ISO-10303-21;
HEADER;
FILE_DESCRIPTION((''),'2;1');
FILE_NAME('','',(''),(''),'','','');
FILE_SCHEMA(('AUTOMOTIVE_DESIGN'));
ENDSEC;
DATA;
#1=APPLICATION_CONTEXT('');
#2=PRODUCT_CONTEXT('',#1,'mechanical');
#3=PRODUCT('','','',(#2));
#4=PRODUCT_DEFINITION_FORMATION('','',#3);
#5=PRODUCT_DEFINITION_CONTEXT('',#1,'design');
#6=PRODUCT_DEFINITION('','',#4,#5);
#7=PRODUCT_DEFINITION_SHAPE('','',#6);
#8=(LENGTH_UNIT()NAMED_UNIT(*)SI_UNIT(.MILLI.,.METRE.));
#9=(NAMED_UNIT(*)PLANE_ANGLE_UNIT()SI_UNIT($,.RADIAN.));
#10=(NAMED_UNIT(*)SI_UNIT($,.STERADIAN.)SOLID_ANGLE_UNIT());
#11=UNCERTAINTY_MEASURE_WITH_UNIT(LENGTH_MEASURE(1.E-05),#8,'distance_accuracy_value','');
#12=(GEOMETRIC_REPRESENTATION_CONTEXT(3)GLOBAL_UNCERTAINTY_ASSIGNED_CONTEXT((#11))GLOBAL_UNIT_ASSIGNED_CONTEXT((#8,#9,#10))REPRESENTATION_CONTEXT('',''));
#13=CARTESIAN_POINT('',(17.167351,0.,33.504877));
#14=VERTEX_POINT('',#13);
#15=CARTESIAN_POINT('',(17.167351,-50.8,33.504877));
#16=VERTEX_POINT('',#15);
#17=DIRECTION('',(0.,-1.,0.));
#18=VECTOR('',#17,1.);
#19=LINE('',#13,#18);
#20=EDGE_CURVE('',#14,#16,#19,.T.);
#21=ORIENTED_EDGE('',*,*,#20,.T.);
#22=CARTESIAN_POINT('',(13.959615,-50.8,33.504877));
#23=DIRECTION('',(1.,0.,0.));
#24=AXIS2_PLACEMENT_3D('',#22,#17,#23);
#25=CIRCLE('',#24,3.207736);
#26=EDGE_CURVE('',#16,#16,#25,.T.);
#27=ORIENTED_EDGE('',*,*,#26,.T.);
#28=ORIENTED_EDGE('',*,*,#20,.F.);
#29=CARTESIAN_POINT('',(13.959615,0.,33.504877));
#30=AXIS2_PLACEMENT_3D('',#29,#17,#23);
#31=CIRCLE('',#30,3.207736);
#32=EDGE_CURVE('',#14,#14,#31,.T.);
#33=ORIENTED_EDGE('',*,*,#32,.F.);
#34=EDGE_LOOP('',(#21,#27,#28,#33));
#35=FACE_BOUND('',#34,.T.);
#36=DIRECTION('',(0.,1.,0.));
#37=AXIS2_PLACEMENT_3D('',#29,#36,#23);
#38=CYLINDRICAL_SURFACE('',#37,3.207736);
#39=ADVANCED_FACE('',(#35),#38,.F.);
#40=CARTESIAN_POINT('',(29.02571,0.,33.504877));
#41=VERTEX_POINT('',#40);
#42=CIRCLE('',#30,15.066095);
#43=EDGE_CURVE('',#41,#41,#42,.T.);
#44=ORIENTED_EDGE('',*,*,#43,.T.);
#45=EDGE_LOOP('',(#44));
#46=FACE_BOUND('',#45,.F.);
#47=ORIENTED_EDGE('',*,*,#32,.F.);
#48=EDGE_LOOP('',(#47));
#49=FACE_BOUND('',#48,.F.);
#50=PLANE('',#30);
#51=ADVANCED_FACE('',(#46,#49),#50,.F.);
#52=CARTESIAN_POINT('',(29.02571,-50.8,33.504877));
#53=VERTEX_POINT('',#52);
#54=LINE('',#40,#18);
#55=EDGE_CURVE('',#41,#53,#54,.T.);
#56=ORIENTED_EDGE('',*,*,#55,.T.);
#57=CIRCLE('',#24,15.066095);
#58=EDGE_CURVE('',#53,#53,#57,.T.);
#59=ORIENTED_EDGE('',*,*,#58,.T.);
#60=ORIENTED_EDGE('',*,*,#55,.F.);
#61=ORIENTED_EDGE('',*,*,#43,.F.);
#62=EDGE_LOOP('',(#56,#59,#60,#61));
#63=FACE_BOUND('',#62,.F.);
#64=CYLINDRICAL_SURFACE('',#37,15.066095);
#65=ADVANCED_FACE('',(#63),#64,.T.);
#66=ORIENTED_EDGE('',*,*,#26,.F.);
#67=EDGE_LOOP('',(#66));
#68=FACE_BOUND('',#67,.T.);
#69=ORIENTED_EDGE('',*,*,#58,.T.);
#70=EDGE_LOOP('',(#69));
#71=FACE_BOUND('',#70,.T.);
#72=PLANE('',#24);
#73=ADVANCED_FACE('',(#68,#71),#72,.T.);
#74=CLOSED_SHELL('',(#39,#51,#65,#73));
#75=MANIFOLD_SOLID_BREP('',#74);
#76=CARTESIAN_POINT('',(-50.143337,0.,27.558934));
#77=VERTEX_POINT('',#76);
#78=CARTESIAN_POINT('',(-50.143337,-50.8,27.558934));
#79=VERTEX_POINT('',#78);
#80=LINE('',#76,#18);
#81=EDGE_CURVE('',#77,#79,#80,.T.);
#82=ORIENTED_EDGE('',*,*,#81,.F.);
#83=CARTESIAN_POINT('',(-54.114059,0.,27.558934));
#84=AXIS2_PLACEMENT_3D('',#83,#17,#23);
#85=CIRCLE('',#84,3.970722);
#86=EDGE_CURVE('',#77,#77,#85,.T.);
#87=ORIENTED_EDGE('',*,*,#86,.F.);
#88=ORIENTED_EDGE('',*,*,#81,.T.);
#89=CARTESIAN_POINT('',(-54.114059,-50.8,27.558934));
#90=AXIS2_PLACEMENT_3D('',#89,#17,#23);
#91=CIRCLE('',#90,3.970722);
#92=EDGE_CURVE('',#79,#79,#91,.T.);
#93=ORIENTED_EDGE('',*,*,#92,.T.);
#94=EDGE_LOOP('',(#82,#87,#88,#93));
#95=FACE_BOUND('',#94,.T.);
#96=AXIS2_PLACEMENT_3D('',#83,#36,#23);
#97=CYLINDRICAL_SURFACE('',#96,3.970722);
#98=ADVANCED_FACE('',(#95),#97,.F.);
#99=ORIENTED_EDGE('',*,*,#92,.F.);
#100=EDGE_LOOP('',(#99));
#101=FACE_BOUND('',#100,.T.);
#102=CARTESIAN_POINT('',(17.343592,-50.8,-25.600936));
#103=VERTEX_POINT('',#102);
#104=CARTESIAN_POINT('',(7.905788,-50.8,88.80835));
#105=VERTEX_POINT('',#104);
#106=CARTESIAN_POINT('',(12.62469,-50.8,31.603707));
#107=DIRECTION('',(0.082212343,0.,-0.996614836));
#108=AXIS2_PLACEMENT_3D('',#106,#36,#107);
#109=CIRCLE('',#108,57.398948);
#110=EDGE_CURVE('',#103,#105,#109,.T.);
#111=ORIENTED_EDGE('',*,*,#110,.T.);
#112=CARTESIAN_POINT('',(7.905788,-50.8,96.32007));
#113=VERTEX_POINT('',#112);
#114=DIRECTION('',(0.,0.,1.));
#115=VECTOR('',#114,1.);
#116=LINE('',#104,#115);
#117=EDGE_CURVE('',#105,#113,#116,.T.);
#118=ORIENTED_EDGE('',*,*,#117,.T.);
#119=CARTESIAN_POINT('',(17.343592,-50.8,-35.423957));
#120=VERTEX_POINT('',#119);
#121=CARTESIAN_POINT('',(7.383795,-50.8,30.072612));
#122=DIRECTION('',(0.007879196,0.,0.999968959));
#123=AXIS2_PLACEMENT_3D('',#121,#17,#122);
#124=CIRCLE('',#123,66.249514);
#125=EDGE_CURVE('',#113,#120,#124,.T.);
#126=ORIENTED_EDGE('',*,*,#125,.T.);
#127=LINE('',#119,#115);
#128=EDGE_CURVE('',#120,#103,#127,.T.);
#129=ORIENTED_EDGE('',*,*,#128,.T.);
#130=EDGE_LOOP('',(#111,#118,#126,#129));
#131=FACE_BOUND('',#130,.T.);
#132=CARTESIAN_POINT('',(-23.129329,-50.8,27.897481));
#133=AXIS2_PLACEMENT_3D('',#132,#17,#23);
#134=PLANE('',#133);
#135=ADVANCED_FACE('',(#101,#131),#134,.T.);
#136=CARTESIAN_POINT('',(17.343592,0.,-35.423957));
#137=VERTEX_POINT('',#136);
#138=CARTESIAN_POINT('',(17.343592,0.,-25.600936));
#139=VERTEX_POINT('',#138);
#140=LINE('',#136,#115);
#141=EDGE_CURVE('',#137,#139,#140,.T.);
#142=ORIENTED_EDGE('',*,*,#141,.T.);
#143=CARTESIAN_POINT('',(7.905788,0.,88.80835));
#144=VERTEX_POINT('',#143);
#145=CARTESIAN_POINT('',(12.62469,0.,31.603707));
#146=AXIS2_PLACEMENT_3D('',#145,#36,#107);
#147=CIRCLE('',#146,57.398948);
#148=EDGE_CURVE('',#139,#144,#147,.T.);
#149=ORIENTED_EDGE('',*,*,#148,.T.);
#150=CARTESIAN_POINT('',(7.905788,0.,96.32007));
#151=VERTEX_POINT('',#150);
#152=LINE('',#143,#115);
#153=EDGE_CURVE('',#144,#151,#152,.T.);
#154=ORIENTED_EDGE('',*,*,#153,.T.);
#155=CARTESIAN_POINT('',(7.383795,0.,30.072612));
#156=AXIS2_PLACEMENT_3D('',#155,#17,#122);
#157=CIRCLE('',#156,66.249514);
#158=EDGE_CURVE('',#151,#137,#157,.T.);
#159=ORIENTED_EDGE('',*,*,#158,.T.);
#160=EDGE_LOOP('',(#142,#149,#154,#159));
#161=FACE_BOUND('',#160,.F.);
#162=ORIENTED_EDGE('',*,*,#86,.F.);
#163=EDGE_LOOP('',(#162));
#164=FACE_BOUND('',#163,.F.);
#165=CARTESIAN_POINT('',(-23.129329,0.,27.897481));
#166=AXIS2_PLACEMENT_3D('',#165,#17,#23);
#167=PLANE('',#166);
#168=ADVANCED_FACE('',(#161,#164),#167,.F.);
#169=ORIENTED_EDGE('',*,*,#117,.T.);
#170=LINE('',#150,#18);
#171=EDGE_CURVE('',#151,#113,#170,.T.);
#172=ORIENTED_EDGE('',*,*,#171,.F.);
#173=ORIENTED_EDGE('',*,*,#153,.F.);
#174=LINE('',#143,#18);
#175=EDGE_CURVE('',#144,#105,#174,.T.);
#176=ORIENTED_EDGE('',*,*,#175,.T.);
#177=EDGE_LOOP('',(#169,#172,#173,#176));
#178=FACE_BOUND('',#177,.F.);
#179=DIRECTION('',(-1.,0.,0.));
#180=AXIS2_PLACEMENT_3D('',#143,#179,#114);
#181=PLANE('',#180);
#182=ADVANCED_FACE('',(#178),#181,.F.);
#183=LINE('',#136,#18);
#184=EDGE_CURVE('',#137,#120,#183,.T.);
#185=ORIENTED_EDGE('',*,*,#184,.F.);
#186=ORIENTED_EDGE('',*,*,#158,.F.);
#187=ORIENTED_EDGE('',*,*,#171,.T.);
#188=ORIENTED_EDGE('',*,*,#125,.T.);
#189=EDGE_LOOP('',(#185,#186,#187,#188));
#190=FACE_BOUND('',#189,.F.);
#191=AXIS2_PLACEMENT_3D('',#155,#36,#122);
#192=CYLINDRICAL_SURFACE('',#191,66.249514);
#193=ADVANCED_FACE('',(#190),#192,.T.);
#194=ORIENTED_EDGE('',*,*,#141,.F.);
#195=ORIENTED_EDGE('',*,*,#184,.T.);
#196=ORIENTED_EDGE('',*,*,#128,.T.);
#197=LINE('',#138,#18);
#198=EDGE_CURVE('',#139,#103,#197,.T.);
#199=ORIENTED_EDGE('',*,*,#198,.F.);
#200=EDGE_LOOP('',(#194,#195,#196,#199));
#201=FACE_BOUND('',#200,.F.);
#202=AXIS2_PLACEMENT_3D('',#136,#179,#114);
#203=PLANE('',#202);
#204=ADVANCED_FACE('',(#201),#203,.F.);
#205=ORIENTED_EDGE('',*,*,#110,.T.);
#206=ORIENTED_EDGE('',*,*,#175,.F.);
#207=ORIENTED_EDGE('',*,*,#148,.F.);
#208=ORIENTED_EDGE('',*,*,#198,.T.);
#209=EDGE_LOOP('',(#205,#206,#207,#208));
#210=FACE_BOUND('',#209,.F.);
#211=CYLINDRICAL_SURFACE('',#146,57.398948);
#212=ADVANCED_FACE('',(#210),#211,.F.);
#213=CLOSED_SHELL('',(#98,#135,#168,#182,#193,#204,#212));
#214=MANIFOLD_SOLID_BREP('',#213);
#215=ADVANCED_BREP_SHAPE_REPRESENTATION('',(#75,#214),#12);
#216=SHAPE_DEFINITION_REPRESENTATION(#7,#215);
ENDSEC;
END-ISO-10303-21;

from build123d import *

# Parameters (mm, degrees)
F0_R     = 15.066095
F0_R_2   = 3.207736
F0_R_3   = 3.970722
F1_DEPTH = 50.8


with BuildPart() as f1:
    # F0 (on Front) → F1 (new body)
    with BuildSketch(Plane.XZ):
        with Locations((13.959615, 33.504877)):
            Circle(F0_R)
        with Locations((13.959615, 33.504877)):
            Circle(F0_R_2, mode=Mode.SUBTRACT)
        with BuildLine():
            ThreePointArc((17.343592, -25.600936), (-44.579953, 26.884805), (7.905788, 88.80835))
            Line((7.905788, 88.80835), (7.905788, 96.32007))
            ThreePointArc((7.905788, 96.32007), (-58.696377, 25.338798), (17.343592, -35.423957))
            Line((17.343592, -35.423957), (17.343592, -25.600936))
        make_face()
        with Locations((-54.114059, 27.558934)):
            Circle(F0_R_3, mode=Mode.SUBTRACT)
    extrude(amount=F1_DEPTH)


solid = f1.part
